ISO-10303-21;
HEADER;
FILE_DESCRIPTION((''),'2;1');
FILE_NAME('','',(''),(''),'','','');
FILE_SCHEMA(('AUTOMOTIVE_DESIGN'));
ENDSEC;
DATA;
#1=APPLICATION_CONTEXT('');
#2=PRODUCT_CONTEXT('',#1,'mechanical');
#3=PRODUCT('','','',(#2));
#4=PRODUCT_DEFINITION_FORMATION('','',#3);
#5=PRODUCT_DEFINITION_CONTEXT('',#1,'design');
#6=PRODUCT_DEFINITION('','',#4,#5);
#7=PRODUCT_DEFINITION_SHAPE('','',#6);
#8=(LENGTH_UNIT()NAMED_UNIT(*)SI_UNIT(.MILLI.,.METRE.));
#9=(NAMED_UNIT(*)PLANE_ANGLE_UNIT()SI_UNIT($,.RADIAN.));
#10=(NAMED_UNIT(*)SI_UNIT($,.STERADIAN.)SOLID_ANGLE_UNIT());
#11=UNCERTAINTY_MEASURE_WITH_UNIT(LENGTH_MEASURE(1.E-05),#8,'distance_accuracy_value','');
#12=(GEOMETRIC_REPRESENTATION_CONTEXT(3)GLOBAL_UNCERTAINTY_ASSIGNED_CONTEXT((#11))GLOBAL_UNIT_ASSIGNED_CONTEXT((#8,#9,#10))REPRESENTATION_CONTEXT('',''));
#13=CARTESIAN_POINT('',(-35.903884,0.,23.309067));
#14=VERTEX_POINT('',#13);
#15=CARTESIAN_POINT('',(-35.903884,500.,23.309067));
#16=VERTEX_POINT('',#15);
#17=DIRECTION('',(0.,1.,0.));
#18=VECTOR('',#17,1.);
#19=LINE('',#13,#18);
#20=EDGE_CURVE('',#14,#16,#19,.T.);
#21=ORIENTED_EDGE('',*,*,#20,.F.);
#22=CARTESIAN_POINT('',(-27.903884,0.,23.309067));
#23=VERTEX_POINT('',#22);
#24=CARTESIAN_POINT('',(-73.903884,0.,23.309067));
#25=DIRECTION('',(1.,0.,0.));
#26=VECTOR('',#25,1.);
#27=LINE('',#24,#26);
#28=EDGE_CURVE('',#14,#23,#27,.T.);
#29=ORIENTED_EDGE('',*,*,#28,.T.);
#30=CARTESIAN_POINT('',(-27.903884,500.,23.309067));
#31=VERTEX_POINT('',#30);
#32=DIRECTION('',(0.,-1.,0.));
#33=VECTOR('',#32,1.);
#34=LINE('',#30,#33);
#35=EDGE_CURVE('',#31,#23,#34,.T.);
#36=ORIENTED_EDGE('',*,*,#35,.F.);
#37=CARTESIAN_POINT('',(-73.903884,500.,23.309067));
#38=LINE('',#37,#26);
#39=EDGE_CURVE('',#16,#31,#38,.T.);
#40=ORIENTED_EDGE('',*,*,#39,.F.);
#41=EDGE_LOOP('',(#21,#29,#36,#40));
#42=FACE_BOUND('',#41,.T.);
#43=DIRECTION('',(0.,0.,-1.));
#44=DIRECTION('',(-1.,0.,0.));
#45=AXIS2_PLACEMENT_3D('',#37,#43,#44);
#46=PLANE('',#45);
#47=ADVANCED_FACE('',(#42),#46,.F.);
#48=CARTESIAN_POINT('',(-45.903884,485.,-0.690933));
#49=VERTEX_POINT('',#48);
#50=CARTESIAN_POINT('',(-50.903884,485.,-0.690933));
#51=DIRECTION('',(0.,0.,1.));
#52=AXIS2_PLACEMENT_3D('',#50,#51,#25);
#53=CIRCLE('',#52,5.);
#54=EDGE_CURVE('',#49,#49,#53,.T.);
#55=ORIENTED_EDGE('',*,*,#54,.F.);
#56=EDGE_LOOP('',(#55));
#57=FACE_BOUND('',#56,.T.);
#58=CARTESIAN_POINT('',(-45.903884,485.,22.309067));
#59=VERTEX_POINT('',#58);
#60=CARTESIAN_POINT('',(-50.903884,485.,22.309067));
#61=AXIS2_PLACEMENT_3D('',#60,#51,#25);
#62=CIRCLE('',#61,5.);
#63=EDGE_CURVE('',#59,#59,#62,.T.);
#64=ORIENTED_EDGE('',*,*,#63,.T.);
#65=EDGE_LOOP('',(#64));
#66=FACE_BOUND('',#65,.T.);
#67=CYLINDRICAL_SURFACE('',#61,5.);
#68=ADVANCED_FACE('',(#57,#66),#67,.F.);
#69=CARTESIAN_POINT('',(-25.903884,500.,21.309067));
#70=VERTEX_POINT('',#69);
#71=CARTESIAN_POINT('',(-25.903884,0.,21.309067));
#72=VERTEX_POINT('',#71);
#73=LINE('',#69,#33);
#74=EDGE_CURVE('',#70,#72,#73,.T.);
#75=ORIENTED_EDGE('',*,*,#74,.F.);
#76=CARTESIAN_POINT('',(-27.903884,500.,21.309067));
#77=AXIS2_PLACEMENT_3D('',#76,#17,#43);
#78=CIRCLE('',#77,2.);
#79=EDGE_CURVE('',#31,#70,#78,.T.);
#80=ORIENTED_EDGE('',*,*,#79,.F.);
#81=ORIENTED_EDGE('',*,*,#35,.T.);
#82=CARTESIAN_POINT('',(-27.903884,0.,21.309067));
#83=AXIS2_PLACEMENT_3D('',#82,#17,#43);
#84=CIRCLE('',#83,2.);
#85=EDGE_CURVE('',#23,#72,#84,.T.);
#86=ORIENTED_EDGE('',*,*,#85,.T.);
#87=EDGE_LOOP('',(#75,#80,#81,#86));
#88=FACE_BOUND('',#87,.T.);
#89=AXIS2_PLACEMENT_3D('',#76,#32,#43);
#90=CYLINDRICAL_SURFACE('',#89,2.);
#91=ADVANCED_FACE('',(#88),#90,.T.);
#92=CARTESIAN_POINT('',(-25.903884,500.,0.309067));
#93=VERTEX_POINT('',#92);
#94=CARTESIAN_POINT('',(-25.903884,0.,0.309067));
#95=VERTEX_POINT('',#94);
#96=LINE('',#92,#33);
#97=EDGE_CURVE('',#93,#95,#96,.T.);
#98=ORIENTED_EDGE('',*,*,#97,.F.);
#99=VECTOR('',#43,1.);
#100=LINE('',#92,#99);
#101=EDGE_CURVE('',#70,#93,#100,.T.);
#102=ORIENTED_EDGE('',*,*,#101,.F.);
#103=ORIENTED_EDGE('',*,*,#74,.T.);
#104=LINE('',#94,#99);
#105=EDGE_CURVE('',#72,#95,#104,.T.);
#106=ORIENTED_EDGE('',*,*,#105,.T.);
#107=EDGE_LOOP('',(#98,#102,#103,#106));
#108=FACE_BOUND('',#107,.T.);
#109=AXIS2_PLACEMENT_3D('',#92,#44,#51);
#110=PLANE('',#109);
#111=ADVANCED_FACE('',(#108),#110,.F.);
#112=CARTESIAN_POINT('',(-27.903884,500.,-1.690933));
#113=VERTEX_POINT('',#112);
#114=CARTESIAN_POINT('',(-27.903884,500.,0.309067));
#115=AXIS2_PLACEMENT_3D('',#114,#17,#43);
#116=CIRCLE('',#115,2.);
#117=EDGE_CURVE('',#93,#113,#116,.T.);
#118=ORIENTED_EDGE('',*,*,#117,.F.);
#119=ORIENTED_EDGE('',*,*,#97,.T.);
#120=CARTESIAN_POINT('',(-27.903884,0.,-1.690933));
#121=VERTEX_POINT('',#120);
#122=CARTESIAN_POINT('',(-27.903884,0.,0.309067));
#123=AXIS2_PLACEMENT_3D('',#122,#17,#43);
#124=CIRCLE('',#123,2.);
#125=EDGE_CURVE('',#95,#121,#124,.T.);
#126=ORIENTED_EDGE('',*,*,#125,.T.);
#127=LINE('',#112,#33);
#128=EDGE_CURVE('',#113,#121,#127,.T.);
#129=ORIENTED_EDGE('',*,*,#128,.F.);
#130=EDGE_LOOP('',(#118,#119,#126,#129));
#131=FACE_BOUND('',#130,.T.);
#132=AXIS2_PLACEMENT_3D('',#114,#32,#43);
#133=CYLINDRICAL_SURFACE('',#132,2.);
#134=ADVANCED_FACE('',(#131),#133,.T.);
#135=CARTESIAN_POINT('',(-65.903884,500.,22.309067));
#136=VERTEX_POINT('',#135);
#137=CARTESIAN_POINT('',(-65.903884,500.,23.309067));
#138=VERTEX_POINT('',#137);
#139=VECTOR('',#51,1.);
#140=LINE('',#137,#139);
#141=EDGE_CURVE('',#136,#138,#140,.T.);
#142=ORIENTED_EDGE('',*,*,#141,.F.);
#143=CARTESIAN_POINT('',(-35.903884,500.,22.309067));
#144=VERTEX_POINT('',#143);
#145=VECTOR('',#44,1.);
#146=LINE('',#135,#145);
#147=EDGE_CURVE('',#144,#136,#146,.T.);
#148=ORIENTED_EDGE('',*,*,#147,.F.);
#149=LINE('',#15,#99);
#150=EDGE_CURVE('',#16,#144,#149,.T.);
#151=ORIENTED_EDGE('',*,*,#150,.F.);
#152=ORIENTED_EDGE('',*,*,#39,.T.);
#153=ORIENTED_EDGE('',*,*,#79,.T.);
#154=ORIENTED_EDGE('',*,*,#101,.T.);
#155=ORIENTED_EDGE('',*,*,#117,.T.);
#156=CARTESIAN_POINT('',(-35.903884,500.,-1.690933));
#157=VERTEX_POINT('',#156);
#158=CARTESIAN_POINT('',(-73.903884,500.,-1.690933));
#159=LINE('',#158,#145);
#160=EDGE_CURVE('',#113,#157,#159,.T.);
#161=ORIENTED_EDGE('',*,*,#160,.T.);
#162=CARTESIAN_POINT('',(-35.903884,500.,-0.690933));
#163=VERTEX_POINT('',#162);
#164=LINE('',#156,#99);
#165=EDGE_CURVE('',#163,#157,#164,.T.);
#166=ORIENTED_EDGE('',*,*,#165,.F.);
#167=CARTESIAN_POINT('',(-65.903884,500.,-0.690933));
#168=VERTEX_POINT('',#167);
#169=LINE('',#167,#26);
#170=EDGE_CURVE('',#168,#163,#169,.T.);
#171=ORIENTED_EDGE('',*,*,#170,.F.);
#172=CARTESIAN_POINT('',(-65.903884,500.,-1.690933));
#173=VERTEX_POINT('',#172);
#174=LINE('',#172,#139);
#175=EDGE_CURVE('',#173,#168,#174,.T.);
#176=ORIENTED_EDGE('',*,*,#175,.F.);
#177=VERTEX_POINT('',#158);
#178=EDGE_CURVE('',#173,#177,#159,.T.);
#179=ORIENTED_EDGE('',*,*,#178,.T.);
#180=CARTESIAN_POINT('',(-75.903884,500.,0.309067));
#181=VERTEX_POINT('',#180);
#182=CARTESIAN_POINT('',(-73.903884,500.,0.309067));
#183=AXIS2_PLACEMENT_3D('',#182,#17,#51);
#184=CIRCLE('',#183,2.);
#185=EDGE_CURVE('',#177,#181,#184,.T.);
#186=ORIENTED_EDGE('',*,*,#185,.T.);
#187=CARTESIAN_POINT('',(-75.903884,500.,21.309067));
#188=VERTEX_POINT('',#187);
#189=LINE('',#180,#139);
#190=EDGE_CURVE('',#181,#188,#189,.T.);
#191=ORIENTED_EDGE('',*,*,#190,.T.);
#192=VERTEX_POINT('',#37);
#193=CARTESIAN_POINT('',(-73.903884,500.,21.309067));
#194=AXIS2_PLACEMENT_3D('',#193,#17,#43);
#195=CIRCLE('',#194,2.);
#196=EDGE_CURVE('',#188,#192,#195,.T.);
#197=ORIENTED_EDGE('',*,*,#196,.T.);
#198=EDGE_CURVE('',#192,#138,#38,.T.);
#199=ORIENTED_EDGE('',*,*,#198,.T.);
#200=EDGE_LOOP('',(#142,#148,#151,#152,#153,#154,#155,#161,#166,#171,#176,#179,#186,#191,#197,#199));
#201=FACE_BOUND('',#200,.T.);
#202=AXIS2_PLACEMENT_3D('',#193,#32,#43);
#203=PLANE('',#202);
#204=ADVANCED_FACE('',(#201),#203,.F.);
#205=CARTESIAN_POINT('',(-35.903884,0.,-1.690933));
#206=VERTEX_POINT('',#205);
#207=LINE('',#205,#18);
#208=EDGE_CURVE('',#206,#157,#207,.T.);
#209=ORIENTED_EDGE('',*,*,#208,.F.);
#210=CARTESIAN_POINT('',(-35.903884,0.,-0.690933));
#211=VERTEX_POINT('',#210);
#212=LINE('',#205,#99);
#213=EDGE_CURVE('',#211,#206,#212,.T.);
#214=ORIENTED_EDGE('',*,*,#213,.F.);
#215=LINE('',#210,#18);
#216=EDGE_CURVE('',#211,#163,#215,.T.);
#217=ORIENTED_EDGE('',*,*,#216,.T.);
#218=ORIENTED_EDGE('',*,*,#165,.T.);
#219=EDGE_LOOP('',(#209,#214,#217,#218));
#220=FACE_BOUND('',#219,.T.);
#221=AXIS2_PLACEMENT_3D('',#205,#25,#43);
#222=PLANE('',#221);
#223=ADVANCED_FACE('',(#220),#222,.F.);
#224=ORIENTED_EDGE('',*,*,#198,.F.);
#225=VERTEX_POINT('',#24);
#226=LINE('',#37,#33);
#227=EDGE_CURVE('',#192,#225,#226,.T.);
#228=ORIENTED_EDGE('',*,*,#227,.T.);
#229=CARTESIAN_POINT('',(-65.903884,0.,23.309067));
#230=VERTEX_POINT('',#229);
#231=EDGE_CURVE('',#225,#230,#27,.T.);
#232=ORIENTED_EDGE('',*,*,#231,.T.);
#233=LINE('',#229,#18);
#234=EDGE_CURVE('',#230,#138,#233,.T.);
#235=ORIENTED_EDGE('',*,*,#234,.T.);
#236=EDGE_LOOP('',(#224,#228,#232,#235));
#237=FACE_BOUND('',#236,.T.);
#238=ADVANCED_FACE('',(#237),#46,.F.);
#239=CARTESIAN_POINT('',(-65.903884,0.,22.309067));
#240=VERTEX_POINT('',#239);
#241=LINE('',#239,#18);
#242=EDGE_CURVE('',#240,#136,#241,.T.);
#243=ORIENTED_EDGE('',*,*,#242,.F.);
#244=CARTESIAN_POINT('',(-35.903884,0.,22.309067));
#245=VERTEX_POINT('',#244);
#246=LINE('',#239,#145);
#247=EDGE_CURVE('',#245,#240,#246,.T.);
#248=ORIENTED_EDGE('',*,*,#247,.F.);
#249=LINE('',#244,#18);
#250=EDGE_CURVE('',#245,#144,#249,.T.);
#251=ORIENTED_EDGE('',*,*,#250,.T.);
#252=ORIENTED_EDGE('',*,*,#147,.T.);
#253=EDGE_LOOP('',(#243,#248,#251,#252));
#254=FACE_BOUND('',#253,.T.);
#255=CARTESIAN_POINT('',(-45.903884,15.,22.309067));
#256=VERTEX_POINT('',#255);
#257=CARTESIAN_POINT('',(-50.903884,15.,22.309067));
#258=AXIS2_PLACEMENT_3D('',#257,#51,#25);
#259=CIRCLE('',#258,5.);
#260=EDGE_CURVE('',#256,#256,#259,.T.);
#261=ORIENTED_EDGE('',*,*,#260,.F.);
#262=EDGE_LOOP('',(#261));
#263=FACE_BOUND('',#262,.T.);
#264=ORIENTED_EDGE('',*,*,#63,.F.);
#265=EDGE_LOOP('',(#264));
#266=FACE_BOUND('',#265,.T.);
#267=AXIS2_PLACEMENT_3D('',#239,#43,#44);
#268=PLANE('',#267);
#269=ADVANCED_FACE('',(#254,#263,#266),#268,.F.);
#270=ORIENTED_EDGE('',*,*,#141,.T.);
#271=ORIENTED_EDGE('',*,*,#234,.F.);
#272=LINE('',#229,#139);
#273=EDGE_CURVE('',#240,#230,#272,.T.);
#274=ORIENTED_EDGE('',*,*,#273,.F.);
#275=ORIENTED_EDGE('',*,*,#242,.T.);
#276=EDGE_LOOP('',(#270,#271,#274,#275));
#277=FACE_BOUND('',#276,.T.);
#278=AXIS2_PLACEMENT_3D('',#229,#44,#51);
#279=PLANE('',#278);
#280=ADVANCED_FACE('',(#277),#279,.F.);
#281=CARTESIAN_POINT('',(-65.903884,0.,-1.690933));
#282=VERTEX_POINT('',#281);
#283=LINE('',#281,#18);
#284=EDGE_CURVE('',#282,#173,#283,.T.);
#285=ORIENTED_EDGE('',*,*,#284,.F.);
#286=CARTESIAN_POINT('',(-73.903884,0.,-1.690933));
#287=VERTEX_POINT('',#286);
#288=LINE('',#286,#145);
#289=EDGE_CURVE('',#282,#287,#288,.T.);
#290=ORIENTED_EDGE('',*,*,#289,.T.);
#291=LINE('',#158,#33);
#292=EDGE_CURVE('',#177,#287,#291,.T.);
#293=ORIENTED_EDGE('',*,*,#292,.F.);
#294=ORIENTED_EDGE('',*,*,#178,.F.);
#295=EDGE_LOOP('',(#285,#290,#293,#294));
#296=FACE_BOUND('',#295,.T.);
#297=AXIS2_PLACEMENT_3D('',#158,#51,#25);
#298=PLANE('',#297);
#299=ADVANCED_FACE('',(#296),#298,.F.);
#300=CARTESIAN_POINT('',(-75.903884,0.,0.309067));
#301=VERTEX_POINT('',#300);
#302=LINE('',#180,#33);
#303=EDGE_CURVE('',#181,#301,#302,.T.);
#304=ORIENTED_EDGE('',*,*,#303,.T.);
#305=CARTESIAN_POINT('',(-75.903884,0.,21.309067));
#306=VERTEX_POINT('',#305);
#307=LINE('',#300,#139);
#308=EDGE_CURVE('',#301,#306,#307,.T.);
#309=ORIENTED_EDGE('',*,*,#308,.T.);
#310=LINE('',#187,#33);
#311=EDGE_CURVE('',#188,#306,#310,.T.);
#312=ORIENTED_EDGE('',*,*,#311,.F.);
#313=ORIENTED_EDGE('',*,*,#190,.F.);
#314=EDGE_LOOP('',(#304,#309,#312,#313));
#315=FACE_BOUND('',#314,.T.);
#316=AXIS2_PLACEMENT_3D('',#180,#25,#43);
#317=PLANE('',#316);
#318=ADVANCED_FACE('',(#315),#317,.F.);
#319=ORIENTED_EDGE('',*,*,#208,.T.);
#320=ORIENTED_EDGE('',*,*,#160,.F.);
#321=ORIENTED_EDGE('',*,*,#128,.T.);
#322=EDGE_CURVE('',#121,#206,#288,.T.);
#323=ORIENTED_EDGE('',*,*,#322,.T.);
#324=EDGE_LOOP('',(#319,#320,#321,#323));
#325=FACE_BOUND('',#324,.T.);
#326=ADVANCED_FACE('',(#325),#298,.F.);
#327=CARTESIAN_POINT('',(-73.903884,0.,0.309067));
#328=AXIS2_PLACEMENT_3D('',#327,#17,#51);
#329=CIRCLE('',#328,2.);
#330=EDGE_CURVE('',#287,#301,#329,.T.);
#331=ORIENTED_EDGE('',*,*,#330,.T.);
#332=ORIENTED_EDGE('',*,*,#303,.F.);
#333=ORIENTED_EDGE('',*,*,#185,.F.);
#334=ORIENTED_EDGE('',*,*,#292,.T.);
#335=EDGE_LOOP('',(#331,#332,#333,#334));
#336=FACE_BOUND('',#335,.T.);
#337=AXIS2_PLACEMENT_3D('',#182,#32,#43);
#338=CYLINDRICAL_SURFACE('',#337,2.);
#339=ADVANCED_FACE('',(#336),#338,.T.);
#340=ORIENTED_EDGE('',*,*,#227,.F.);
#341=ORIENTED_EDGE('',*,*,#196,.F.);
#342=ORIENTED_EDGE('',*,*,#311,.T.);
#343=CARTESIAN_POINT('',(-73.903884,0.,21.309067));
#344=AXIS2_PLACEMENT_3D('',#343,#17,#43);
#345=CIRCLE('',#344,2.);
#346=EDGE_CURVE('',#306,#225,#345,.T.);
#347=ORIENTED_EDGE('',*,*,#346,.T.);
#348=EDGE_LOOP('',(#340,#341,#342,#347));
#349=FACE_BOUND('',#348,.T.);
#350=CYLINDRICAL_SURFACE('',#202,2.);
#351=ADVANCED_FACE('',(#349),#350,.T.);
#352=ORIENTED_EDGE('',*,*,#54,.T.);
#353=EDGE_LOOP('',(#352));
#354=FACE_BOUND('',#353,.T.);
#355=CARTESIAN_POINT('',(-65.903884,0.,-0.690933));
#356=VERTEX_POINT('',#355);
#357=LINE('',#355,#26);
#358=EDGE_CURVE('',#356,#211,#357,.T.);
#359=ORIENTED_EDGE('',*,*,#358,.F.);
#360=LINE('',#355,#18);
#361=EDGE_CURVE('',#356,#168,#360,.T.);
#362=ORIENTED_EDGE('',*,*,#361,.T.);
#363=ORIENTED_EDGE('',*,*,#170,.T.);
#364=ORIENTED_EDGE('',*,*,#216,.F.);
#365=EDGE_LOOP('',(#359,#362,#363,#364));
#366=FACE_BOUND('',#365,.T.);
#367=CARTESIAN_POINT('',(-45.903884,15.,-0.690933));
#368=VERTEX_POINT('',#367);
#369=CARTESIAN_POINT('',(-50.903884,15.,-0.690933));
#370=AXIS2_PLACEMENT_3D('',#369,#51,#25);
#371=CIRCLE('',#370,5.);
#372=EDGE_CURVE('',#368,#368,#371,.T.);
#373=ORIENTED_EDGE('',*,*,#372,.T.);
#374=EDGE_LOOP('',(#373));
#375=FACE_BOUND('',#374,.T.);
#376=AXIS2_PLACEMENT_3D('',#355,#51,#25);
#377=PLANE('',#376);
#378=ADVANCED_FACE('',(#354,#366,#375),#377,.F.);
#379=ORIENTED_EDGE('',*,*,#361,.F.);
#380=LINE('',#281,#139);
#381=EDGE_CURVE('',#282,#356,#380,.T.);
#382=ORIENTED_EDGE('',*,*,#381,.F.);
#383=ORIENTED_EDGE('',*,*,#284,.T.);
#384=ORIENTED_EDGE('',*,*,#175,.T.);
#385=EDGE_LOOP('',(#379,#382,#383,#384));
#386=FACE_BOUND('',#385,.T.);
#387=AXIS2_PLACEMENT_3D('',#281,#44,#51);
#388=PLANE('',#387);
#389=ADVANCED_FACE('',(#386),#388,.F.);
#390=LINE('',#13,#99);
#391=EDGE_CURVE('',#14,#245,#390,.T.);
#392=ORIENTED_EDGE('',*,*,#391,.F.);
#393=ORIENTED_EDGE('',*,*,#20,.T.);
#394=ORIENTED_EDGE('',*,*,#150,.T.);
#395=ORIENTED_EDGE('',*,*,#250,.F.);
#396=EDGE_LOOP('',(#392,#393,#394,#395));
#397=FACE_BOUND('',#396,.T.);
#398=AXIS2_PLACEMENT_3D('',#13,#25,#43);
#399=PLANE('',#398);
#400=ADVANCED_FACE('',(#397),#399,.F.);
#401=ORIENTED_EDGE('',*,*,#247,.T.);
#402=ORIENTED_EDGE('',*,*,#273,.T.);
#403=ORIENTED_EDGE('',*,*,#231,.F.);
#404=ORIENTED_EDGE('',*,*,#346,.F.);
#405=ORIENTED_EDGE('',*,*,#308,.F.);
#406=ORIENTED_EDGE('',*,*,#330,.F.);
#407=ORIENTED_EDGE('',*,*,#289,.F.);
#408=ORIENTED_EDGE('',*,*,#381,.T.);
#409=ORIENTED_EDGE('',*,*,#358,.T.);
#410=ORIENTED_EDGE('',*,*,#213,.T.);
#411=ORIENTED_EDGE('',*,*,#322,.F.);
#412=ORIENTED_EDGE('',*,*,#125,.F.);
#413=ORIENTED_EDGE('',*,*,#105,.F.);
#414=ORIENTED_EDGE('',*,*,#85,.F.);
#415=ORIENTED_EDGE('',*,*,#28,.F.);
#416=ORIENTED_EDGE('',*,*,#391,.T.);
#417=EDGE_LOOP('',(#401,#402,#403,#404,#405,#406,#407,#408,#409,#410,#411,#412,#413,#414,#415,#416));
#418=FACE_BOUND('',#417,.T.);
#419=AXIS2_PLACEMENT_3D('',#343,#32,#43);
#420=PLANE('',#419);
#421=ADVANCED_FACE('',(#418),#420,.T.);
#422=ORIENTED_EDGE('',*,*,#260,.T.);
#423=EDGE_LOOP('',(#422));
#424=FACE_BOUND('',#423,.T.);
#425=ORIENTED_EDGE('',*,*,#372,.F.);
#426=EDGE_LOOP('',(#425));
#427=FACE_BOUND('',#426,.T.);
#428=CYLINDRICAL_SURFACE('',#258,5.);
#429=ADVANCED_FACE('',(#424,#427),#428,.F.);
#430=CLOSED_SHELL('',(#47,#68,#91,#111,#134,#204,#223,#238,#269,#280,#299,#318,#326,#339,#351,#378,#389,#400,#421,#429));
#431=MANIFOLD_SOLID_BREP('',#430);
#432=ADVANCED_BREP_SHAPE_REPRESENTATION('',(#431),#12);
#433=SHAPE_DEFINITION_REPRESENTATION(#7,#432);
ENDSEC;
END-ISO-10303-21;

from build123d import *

# Parameters (mm, degrees)
BOSS_EXTRUDE1_DEPTH              = 500
SKETCH3_W                        = 30
SKETCH3_H                        = 1
CUT_EXTRUDE1_DEPTH               = 500
M10X1_0_TAPPED_HOLE1_D           = 9
M10X1_0_TAPPED_HOLE1_DEPTH       = 51.26
M10X1_0_TAPPED_HOLE1_CBORE_D     = 10
M10X1_0_TAPPED_HOLE1_CBORE_DEPTH = 45.4
M10X1_0_TAPPED_HOLE1_TIP         = 2.703872786


with BuildPart() as part:
    # Sketch1 → Boss-Extrude1 (new body)
    with BuildSketch(Plane(origin=(0, 0, 0), x_dir=(1, 0, 0), z_dir=(0, 1, 0))):
        with BuildLine():
            Line((-73.903884132, 1.690933219), (-27.903884132, 1.690933219))
            ThreePointArc((-27.903884132, 1.690933219), (-26.48967057, 1.105146782), (-25.903884132, -0.309066781))
            Line((-25.903884132, -0.309066781), (-25.903884132, -21.309066781))
            ThreePointArc((-25.903884132, -21.309066781), (-26.48967057, -22.723280343), (-27.903884132, -23.309066781))
            Line((-27.903884132, -23.309066781), (-73.903884132, -23.309066781))
            ThreePointArc((-73.903884132, -23.309066781), (-75.318097695, -22.723280343), (-75.903884132, -21.309066781))
            Line((-75.903884132, -21.309066781), (-75.903884132, -0.309066781))
            ThreePointArc((-75.903884132, -0.309066781), (-75.318097695, 1.105146782), (-73.903884132, 1.690933219))
        make_face()
    extrude(amount=BOSS_EXTRUDE1_DEPTH)

    # Sketch3 → Cut-Extrude1 (cut)
    with BuildSketch(Plane(origin=(0, 500, 0), x_dir=(1, 0, 0), z_dir=(0, 1, 0))):
        with Locations((-50.903884132, 1.190933219)):
            Rectangle(SKETCH3_W, SKETCH3_H)
        with Locations((-50.903884132, -22.809066781)):
            Rectangle(SKETCH3_W, SKETCH3_H)
    extrude(amount=-CUT_EXTRUDE1_DEPTH, mode=Mode.SUBTRACT)

    # M10x1.0 Tapped Hole1
    with Locations(Plane(origin=(-50.903884132, 485, 22.309066781), x_dir=(1, 0, 0), z_dir=(0, 0, 1))):
        with Locations((0, 0), (0, -470)):
            CounterBoreHole(M10X1_0_TAPPED_HOLE1_D / 2, M10X1_0_TAPPED_HOLE1_CBORE_D / 2, M10X1_0_TAPPED_HOLE1_CBORE_DEPTH, depth=M10X1_0_TAPPED_HOLE1_DEPTH)
            with Locations((0, 0, -(M10X1_0_TAPPED_HOLE1_DEPTH + M10X1_0_TAPPED_HOLE1_TIP / 2))):  # 118° drill point
                Cone(0, M10X1_0_TAPPED_HOLE1_D / 2, M10X1_0_TAPPED_HOLE1_TIP, mode=Mode.SUBTRACT)


solid = part.part
